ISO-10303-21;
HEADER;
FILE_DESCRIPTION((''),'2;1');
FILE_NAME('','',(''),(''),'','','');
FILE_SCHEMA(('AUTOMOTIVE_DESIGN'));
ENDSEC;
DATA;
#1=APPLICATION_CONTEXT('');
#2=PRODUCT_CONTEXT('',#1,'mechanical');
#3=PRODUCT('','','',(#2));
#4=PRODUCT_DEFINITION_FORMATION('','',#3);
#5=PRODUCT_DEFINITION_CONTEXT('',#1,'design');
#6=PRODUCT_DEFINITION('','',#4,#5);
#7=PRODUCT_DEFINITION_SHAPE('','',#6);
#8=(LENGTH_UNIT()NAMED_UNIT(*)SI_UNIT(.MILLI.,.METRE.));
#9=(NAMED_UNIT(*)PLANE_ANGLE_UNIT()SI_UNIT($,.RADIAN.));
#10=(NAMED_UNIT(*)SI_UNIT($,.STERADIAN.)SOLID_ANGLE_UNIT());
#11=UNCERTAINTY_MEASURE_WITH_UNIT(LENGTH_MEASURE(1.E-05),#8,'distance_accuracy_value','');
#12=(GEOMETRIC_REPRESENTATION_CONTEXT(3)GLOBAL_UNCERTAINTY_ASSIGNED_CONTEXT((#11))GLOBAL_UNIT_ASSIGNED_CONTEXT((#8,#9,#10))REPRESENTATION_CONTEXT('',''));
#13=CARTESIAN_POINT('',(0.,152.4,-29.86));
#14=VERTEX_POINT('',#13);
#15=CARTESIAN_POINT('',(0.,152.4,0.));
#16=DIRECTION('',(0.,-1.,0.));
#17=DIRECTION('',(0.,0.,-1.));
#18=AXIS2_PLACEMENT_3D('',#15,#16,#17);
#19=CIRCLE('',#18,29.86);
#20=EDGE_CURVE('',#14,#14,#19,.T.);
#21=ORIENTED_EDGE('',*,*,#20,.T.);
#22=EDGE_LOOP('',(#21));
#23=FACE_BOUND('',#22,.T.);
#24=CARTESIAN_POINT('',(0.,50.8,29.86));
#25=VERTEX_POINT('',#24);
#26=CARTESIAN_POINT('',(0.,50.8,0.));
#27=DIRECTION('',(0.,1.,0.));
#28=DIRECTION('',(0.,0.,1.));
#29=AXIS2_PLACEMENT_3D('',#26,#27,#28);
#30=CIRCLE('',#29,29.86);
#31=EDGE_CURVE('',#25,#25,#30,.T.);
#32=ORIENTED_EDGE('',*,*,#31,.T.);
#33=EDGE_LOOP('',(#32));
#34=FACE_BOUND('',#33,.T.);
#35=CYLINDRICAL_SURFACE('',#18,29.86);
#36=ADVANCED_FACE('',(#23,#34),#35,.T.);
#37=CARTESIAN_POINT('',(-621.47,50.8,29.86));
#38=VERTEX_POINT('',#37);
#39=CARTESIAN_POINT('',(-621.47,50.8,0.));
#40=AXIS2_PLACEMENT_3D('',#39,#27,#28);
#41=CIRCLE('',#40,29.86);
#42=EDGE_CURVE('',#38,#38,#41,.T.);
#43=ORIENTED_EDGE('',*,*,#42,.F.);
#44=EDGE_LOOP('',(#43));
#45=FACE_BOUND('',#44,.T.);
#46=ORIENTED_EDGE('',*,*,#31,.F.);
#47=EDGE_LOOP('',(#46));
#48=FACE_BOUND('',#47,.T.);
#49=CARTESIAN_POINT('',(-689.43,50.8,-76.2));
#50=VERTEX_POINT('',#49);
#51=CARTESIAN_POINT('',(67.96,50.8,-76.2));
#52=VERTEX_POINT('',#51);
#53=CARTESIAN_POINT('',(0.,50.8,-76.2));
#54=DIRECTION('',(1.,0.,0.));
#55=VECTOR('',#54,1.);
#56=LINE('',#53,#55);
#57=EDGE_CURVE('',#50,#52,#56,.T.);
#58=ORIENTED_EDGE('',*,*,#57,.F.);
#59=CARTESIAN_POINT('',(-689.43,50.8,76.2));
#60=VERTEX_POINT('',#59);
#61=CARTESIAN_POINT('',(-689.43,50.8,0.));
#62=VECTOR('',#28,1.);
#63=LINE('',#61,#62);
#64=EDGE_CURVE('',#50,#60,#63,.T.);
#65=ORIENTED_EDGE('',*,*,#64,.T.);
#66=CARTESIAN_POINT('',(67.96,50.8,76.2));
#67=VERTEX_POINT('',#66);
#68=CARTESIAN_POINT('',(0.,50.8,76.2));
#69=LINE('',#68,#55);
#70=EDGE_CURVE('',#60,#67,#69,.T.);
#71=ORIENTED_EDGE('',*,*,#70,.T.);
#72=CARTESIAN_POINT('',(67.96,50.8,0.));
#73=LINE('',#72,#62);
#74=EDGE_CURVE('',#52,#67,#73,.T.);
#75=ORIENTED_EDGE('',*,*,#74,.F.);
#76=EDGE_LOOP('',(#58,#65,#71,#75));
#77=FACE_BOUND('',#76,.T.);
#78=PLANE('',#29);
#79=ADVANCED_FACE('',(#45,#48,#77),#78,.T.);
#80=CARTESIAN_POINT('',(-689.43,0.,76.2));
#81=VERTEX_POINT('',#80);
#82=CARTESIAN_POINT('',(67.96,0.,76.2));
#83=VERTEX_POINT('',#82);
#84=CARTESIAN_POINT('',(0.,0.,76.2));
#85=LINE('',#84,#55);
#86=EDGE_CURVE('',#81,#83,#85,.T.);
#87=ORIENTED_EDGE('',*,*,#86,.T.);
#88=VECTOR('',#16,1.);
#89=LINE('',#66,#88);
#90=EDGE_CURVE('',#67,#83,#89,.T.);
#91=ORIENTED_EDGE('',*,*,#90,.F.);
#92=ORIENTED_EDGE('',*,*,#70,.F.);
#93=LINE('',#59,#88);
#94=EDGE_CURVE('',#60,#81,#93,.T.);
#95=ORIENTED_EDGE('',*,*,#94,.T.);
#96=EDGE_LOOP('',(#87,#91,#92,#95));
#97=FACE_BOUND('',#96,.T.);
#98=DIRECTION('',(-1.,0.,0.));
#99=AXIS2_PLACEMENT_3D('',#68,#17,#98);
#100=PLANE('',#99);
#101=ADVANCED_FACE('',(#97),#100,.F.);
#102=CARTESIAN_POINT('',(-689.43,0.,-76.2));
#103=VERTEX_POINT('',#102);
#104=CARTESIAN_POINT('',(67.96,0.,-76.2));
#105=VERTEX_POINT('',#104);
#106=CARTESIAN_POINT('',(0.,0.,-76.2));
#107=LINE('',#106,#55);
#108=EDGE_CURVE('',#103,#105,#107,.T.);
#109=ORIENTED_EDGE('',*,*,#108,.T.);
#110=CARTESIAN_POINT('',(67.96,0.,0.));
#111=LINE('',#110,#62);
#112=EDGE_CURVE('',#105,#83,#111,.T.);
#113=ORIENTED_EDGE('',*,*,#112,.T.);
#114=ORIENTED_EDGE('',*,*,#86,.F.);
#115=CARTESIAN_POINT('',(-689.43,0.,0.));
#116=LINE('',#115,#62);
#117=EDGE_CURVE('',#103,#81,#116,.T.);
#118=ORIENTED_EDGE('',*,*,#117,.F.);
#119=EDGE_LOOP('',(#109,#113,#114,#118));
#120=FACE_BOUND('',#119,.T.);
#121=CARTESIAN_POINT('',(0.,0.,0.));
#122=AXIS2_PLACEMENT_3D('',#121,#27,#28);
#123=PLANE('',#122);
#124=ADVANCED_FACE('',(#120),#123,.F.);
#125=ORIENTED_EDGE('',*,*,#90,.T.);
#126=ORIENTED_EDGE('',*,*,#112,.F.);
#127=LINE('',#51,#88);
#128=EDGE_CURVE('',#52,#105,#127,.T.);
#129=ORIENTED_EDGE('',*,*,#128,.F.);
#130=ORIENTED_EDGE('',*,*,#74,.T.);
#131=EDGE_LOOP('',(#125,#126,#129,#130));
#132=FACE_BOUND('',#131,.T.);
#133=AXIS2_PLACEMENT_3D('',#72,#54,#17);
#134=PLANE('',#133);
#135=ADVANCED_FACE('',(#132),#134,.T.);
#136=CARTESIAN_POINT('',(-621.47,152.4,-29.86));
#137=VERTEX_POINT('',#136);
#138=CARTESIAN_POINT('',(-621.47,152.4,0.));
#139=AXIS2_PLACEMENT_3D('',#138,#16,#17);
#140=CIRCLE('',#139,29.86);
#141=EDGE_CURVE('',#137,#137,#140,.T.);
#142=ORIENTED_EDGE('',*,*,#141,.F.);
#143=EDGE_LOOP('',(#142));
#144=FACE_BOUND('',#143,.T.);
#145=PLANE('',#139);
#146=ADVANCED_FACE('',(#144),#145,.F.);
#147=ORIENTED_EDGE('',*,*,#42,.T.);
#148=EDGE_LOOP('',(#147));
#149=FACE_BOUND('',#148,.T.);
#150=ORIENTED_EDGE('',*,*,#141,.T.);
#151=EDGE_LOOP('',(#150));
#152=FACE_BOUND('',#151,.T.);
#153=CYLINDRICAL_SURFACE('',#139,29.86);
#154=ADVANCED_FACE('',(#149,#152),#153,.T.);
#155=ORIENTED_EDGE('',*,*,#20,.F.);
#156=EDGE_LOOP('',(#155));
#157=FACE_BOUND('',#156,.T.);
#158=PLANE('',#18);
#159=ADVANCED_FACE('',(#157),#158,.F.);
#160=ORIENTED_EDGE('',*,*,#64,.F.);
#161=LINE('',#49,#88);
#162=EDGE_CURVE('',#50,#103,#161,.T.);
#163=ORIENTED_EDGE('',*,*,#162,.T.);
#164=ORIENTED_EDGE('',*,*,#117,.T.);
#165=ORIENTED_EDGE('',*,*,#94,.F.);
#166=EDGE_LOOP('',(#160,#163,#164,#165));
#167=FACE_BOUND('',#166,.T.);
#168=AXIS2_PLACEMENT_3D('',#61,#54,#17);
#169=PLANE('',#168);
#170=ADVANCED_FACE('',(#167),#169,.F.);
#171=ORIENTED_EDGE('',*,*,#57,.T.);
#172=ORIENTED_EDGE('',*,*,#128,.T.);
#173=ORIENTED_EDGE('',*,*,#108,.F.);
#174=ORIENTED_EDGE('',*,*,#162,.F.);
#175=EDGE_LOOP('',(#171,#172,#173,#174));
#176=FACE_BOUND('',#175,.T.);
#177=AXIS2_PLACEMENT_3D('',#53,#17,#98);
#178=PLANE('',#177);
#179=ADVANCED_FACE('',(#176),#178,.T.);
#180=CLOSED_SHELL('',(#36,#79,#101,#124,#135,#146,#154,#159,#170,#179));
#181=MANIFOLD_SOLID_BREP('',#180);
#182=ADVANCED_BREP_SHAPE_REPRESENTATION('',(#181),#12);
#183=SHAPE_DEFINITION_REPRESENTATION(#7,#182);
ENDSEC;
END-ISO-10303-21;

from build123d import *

# Parameters (mm, degrees)
BOSS_EXTRUDE1_DEPTH = 50.8
SKETCH2_R           = 29.86
BOSS_EXTRUDE2_DEPTH = 152.4


with BuildPart() as part:
    # Sketch1 → Boss-Extrude1 (new body)
    with BuildSketch(Plane(origin=(0, 0, 0), x_dir=(1, 0, 0), z_dir=(0, 1, 0))):
        with BuildLine():
            Line((67.96, 0), (29.86, 0))
            ThreePointArc((29.86, 0), (0, -29.86), (-29.86, 0))
            Line((-29.86, 0), (-591.61, 0))
            ThreePointArc((-591.61, 0), (-621.47, -29.86), (-651.33, 0))
            Line((-651.33, 0), (-689.43, 0))
            Line((-689.43, 0), (-689.43, -76.2))
            Line((-689.43, -76.2), (67.96, -76.2))
            Line((67.96, -76.2), (67.96, 0))
        make_face()
        with BuildLine():
            ThreePointArc((-29.86, 0), (0, 29.86), (29.86, 0))
            Line((29.86, 0), (67.96, 0))
            Line((67.96, 0), (67.96, 76.2))
            Line((67.96, 76.2), (-689.43, 76.2))
            Line((-689.43, 76.2), (-689.43, 0))
            Line((-689.43, 0), (-651.33, 0))
            ThreePointArc((-651.33, 0), (-621.47, 29.86), (-591.61, 0))
            Line((-591.61, 0), (-29.86, 0))
        make_face()
    extrude(amount=BOSS_EXTRUDE1_DEPTH)

    # Sketch2 → Boss-Extrude2 (add)
    with BuildSketch(Plane.XZ):
        with Locations(Location((0, 0, 0), (0, 0, 270))):
            Circle(SKETCH2_R)
        with Locations(Location((-621.47, 0, 0), (0, 0, 270))):
            Circle(SKETCH2_R)
    extrude(amount=-BOSS_EXTRUDE2_DEPTH)


solid = part.part
